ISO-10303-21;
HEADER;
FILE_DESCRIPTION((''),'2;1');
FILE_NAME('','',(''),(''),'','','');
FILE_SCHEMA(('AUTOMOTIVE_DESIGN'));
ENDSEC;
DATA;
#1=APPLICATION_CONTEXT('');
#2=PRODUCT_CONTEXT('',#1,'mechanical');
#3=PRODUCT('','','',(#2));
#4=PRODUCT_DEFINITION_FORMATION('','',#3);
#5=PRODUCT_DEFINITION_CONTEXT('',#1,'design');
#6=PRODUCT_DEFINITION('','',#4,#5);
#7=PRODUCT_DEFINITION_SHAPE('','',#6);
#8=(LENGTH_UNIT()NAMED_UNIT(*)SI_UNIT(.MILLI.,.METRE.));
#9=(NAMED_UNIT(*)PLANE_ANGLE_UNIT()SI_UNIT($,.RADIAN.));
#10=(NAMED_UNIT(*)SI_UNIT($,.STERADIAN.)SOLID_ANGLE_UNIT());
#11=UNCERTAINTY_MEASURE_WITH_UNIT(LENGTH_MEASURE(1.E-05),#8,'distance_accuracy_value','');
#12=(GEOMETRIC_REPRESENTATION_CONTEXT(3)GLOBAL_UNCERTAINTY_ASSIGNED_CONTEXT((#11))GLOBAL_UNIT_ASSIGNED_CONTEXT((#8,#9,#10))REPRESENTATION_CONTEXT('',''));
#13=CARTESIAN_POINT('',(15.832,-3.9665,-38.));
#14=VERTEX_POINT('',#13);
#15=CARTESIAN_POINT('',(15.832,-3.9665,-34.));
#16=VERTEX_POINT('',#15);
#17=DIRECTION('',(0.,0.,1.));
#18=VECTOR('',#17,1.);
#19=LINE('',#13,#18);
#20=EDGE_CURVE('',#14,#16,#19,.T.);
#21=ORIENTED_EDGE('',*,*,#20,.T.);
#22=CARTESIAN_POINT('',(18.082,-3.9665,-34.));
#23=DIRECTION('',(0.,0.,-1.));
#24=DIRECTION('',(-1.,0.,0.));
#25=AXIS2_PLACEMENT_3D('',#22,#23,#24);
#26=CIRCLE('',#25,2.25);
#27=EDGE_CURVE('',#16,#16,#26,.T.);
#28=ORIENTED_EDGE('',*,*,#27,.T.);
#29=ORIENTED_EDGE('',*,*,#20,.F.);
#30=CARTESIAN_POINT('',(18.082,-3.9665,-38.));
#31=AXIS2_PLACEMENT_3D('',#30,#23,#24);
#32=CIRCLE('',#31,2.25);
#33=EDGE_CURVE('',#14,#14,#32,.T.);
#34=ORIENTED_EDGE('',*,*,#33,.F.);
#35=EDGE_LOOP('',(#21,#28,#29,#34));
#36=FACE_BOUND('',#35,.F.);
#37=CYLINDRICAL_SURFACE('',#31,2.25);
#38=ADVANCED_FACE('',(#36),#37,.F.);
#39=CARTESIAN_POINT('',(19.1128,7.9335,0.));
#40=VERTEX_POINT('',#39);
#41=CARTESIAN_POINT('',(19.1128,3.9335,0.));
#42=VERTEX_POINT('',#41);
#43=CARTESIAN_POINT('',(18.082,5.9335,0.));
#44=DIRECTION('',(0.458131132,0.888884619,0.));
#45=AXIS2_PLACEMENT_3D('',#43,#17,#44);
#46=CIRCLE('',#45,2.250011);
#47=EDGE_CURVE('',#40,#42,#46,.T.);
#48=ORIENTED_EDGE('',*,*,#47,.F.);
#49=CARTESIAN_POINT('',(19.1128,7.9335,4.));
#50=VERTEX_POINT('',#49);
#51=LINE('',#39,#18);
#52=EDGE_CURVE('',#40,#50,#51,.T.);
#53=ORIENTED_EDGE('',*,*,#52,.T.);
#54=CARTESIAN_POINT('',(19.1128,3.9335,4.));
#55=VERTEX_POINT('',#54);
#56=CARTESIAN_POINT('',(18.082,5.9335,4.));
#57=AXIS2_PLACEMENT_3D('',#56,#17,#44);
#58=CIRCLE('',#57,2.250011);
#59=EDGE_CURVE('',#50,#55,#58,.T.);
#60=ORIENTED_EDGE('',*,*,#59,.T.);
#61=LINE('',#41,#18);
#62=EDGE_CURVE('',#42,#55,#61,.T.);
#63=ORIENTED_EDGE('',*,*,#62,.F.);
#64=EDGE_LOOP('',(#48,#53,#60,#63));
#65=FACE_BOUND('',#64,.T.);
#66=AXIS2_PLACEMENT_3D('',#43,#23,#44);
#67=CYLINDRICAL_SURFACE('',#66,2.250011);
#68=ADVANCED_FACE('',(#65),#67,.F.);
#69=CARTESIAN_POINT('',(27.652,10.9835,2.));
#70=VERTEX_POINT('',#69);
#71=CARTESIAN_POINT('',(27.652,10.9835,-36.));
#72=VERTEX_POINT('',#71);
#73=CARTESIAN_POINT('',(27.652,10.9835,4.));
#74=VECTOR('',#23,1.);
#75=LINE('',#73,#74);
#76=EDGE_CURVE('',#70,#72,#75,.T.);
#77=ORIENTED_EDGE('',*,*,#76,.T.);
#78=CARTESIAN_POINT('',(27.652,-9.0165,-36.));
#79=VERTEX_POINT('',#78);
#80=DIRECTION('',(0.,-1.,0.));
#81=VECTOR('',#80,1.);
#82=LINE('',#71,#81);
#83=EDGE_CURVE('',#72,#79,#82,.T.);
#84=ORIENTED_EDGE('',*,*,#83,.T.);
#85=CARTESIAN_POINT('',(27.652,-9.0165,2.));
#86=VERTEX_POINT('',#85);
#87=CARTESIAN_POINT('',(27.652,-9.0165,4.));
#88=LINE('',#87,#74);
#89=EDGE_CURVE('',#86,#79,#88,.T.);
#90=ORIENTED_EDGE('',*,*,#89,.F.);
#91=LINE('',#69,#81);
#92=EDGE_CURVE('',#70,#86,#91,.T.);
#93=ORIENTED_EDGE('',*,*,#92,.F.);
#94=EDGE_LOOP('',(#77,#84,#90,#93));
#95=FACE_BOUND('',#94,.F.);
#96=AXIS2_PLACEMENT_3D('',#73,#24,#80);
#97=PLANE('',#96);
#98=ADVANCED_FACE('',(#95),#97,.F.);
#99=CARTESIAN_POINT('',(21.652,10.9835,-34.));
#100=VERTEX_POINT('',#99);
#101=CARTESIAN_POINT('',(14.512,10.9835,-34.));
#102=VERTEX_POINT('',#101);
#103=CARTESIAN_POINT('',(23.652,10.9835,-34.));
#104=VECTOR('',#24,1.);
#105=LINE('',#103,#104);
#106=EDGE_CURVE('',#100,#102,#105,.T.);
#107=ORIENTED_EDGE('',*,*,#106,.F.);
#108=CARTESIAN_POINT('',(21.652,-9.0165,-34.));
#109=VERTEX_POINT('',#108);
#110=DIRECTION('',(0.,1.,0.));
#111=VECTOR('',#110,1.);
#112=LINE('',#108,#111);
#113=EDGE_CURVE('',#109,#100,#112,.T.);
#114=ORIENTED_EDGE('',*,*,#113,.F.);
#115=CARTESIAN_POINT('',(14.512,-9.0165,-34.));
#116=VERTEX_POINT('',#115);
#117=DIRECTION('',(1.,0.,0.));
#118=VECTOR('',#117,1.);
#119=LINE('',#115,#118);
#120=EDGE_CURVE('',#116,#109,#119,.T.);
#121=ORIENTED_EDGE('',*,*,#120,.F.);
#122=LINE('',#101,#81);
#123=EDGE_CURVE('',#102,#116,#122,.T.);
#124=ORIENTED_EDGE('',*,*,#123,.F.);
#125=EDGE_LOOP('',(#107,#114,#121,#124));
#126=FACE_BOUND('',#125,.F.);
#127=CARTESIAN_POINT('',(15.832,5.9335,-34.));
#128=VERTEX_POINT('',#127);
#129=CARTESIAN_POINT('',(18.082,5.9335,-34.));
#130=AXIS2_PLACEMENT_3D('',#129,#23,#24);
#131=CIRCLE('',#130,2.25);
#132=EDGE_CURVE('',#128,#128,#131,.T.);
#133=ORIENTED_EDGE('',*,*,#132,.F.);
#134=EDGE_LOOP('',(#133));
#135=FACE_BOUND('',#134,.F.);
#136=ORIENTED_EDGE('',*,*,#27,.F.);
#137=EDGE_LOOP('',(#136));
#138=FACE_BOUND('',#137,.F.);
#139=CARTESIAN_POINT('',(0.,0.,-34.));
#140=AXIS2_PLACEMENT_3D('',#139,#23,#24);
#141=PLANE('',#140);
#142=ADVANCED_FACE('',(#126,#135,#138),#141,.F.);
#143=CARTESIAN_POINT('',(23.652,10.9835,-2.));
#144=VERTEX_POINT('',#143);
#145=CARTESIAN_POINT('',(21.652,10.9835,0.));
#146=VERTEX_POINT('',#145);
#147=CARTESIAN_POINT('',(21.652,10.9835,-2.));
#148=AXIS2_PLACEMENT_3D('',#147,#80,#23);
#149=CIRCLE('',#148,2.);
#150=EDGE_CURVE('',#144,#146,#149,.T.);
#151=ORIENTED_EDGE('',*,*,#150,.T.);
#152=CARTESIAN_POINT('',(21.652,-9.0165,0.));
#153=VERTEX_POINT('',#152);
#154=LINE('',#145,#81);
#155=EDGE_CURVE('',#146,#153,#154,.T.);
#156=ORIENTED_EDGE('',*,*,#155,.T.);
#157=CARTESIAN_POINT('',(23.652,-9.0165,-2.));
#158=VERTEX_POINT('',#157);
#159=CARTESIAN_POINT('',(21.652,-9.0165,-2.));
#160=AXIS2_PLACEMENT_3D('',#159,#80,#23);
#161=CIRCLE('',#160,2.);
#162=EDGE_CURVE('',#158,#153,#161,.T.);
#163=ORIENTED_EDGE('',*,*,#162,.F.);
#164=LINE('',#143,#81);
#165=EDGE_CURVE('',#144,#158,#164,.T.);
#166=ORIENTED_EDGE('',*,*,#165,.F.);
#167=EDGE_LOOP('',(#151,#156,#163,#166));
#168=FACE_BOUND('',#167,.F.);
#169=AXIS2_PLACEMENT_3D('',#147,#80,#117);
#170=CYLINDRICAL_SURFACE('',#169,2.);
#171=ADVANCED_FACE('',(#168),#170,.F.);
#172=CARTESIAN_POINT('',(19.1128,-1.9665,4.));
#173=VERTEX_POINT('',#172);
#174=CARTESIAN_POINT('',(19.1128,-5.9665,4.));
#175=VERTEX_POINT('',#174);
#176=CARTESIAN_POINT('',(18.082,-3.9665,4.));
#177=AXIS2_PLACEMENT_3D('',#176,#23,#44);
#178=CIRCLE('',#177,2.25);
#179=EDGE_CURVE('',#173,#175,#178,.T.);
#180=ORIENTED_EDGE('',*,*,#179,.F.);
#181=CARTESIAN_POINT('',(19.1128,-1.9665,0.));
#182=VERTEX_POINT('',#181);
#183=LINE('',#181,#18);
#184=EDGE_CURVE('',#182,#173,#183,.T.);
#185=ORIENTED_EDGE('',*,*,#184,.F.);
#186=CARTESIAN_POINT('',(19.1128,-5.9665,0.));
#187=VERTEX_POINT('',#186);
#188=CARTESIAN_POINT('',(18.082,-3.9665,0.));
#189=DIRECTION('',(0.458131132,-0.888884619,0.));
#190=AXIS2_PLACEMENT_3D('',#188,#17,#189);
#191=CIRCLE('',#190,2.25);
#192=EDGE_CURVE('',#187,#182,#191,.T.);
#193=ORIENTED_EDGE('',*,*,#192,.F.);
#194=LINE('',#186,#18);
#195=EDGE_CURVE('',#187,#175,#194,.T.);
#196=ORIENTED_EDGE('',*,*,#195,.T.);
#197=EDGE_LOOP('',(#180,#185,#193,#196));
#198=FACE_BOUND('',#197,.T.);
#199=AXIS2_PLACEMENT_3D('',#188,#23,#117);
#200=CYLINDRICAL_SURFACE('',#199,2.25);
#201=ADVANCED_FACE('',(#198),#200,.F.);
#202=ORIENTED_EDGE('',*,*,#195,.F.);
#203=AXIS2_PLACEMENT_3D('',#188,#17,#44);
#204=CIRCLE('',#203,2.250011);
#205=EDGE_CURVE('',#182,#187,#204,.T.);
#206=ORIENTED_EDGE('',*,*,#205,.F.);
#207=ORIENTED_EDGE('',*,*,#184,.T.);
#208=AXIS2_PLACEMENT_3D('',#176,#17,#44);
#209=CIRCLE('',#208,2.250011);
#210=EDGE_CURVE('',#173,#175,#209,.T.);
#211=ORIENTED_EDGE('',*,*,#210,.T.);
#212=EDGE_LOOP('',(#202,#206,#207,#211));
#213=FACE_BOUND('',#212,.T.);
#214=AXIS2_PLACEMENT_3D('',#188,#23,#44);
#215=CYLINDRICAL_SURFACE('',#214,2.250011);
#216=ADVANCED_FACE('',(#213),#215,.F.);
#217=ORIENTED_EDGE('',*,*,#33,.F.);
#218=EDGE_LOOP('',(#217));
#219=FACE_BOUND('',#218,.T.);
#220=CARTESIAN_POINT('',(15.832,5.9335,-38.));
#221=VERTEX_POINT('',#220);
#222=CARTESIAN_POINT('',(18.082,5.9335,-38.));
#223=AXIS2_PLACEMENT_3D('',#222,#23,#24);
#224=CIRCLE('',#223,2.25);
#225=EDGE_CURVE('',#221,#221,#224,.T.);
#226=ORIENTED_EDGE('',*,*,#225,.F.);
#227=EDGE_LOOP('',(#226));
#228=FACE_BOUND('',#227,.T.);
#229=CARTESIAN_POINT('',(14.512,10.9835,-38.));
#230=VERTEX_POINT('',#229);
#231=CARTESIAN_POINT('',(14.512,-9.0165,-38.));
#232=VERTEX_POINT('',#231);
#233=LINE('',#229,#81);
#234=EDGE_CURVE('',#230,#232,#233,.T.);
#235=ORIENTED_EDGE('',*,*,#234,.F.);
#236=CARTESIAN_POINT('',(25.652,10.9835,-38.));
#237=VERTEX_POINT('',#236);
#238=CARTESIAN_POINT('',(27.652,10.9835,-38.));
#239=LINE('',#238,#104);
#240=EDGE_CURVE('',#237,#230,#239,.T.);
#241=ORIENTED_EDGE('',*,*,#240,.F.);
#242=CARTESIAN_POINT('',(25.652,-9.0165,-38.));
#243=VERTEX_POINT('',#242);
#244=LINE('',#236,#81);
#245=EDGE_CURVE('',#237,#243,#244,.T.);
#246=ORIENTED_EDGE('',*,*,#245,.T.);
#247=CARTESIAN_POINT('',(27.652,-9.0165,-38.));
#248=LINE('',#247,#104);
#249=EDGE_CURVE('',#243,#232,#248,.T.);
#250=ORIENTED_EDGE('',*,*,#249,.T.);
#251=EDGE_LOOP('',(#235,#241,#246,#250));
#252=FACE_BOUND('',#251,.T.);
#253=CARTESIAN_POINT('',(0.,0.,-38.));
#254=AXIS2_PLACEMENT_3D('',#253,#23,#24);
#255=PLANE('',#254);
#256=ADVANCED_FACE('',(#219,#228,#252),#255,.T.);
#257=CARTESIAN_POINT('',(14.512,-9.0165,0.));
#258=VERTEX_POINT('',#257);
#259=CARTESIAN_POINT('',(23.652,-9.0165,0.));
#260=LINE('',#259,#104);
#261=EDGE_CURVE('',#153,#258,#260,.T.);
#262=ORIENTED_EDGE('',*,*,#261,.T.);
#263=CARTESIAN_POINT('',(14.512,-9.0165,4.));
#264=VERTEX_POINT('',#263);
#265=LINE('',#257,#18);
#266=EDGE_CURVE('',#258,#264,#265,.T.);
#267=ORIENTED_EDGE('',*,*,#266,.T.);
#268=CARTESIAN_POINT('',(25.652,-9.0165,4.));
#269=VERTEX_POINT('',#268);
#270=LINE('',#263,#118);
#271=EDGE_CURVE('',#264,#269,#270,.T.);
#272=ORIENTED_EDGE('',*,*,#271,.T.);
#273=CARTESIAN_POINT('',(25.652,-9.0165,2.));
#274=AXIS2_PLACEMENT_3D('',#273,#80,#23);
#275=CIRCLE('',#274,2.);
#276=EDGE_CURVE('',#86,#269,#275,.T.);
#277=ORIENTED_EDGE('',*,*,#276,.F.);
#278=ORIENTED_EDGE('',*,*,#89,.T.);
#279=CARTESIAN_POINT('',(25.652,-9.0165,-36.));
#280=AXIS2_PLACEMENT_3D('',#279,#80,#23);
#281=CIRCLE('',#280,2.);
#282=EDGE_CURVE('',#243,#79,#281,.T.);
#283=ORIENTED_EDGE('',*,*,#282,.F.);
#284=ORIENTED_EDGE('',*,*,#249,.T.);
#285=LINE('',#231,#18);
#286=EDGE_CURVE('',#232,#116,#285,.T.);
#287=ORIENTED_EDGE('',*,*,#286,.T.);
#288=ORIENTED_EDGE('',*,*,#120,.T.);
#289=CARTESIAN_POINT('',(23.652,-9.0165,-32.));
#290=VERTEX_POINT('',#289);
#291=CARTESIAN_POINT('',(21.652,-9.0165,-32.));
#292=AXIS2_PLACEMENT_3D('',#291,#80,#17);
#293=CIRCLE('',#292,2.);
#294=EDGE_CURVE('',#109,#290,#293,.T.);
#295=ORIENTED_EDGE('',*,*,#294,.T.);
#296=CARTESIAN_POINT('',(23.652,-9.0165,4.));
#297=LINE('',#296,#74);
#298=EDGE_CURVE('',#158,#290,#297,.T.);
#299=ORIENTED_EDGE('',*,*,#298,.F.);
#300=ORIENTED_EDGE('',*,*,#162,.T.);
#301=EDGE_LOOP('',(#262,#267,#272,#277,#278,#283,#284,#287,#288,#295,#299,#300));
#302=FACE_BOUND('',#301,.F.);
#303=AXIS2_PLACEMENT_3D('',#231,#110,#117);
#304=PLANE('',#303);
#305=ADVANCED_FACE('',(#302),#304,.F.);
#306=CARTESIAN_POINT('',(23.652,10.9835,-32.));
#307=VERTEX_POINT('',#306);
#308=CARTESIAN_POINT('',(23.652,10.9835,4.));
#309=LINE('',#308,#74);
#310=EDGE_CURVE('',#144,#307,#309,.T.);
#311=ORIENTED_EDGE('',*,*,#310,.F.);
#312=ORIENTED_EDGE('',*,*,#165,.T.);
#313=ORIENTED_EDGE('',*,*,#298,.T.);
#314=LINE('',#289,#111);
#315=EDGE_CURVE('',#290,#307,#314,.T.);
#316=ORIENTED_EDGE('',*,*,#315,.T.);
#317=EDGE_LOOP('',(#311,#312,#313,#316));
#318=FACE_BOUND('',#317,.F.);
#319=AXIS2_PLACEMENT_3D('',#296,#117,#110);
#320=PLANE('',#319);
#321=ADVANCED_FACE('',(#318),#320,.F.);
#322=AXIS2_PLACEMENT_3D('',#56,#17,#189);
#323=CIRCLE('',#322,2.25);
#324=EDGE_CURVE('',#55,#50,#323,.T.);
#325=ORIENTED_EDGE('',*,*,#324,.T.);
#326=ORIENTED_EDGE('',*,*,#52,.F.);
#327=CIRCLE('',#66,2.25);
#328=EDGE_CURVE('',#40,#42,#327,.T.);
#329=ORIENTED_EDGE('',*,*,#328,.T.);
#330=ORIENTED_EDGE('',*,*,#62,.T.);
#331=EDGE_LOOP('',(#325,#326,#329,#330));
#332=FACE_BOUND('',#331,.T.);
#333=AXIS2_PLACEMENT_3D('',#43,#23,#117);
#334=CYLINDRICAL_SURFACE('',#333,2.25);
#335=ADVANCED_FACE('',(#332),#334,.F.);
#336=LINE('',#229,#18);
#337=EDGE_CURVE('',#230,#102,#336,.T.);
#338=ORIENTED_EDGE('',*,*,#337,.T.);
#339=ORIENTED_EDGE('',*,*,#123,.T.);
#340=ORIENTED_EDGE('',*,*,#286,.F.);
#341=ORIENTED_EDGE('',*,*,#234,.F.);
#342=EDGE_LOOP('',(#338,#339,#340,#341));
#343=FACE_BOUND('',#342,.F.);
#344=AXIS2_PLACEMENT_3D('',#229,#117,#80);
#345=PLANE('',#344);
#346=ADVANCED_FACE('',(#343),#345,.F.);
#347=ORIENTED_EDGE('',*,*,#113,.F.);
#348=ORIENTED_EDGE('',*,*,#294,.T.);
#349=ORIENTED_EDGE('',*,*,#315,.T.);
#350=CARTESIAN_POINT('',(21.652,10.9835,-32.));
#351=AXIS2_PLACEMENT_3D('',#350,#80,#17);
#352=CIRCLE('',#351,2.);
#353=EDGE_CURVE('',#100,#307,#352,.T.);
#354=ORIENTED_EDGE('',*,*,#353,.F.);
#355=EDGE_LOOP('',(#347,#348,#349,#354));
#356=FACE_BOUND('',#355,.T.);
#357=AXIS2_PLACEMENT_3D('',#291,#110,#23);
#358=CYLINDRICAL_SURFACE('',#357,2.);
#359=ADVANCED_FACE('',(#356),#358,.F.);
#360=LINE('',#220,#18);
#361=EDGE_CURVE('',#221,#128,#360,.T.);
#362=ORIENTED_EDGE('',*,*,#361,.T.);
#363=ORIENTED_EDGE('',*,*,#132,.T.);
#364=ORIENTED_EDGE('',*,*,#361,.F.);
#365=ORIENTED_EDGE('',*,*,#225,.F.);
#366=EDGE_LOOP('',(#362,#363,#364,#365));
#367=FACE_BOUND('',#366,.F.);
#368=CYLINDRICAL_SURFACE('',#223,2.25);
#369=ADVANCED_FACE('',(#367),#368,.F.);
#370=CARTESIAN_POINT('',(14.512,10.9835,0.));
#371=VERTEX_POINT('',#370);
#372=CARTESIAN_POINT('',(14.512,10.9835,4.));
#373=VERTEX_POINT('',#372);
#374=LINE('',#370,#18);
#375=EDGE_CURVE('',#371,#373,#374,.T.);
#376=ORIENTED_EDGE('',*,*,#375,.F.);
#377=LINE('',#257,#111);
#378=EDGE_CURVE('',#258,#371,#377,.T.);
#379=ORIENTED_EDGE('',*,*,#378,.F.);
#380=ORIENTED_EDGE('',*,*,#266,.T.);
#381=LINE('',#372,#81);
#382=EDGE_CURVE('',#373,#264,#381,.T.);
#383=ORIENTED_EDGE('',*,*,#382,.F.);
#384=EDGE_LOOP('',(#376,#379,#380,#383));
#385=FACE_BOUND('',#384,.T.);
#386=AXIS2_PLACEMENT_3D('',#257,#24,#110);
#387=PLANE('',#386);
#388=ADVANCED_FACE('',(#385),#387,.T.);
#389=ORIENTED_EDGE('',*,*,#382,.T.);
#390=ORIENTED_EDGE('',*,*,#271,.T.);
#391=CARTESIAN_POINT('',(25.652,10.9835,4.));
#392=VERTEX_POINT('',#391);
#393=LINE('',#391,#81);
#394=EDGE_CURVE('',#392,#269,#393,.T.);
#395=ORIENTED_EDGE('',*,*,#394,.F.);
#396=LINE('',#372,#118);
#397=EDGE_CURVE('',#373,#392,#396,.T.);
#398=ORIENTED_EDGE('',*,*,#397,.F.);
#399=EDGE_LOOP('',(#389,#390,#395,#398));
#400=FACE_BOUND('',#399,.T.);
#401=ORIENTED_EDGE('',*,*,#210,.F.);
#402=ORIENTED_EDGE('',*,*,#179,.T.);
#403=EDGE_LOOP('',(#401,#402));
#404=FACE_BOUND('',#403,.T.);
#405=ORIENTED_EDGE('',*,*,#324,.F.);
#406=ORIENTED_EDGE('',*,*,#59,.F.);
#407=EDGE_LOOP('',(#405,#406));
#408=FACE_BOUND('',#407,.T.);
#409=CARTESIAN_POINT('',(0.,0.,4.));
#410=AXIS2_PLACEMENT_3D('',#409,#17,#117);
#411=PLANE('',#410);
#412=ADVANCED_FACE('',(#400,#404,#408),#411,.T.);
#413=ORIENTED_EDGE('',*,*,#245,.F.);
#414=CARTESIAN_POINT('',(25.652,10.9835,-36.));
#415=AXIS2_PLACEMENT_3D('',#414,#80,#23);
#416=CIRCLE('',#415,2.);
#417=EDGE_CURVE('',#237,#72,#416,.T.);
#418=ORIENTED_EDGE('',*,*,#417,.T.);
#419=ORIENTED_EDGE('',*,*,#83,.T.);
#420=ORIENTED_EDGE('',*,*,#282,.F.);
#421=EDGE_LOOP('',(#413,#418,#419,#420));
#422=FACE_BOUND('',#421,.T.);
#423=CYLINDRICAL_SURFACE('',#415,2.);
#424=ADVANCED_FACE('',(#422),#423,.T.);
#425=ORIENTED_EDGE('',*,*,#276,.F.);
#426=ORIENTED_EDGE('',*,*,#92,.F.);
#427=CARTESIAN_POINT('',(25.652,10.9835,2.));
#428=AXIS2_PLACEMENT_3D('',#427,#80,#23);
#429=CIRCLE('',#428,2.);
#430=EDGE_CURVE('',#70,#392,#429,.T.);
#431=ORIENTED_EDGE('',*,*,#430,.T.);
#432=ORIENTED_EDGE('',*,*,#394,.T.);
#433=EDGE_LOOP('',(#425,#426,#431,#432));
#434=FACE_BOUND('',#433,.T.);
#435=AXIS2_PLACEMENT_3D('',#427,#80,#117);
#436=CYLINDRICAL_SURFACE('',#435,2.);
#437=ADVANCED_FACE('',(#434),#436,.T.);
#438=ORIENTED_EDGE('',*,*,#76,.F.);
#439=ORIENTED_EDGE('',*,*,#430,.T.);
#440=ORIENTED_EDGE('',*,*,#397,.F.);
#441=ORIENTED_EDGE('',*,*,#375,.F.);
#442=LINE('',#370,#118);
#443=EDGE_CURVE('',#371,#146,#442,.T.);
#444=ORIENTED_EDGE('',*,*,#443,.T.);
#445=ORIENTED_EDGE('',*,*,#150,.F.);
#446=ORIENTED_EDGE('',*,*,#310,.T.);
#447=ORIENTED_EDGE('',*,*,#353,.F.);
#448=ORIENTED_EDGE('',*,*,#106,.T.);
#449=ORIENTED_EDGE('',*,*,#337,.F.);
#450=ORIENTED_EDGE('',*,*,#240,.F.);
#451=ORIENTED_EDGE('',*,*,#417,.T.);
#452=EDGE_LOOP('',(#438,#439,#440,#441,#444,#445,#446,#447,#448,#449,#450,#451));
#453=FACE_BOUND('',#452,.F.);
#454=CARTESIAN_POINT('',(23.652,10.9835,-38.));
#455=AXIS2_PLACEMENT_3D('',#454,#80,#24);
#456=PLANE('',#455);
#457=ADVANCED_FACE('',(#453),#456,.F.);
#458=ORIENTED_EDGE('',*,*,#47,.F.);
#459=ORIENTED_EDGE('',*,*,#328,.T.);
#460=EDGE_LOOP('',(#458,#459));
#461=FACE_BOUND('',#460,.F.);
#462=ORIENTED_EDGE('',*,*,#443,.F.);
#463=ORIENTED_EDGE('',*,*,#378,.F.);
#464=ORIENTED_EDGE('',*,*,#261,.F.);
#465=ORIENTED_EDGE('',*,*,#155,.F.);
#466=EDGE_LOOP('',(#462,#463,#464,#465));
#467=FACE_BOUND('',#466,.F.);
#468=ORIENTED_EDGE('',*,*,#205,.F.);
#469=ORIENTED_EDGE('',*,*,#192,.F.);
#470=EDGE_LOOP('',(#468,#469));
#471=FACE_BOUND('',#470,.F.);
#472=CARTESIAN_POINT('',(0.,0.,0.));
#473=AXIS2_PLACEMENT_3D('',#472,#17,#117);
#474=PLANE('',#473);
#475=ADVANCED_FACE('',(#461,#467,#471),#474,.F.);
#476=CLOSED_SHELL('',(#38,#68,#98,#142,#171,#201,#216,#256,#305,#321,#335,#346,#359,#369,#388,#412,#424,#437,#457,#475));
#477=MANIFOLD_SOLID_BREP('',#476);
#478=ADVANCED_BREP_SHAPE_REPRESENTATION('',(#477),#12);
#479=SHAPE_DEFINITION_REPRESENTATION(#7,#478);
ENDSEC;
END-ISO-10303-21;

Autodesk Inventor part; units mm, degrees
ref_plane "YZ Plane" through (0, 0, 0) normal (1, 0, 0) x (0, 1, 0)
ref_plane "XZ Plane" through (0, 0, 0) normal (0, 1, 0) x (-1, 0, 0)
ref_plane "XY Plane" through (0, 0, 0) normal (0, 0, 1) x (1, 0, 0)
sketch "Эскиз1" plane through (0, 0, 0) normal (0, 0, 1) x (1, 0, 0)
  line L0 (21.232, 7.9335) -> (21.232, 9.4835)
  arc A0 (21.232, 9.4835) -> (19.732, 10.9835) centre (19.732, 9.4835) ccw
  line L1 (19.732, 10.9835) -> (-31.568, 10.9835)
  line L2 (-31.568, -9.0165) -> (19.732, -9.0165)
  arc A1 (19.732, -9.0165) -> (21.232, -7.5165) centre (19.732, -7.5165) ccw
  line L3 (21.232, -7.5165) -> (21.232, -5.9665)
  line L4 (21.232, -5.9665) -> (19.1128, -5.9665)
  arc A2 (19.1128, -1.9665) -> (19.1128, -5.9665) centre (18.082, -3.9665) ccw
  line L5 (19.1128, -1.9665) -> (21.232, -1.9665)
  line L6 (21.232, -1.9665) -> (21.232, 3.9335)
  line L7 (21.232, 3.9335) -> (19.1128, 3.9335)
  arc A3 (19.1128, 7.9335) -> (19.1128, 3.9335) centre (18.082, 5.9335) ccw
  line L8 (19.1128, 7.9335) -> (21.232, 7.9335)
  line L9 (-24.768, -8.9965) -> (13.532, -8.9965)
  line L10 (13.532, 10.9635) -> (-24.768, 10.9635)
  arc A4 (14.512, 9.9835) -> (13.532, 10.9635) centre (13.532, 9.9835) ccw
  line L11 (14.512, -8.0165) -> (14.512, 9.9835)
  arc A5 (13.532, -8.9965) -> (14.512, -8.0165) centre (13.532, -8.0165) ccw
  line L12 (14.512, 9.9835) -> (14.512, 13.5721)
  line L13 (21.652, -9.0165) -> (14.512, -9.0165)
  line L14 (14.512, -9.0165) -> (14.512, 10.9835)
  line L15 (14.512, 10.9835) -> (21.652, 10.9835)
  line L16 (21.652, 10.9835) -> (21.652, -9.0165)
  line L17 (21.652, -9.0165) -> (14.512, 10.9835) construction
  line L18 (14.512, -9.0165) -> (21.652, 10.9835) construction
  circle A6 centre (18.082, 5.9335) radius 2.25
  circle A7 centre (18.082, -3.9665) radius 2.25
  line L19 (21.652, 10.9835) -> (23.652, 10.9835)
  line L20 (23.652, 10.9835) -> (23.652, -9.0165)
  line L21 (23.652, -9.0165) -> (21.652, -9.0165)
  line L22 (21.652, -9.0165) -> (21.652, 10.9835)
  point P0 (0, 0)
  point P1 (-5.918, 0.9835)
  point P2 (18.082, 0.9835)
  point P3 (19.1128, -5.9665)
  point P4 (19.732, -9.0165)
  dimension "d2" = 2
extrude "Выдавливание1" add sketch "Эскиз1" along normal blind 4 contours L8 A3 L7 L6 L5 A2 L4 L3 A1 L2 L14 L11 L12 L1 A0 L0 | L0 A0 L15 L16 L13 A1 L3 L4 A7 L5 L6 L7 A6 L8 | L19 L20 L21 L16
sketch "Эскиз2" plane through (0, 0, 4) normal (0, 0, 1) x (1, 0, 0)
  line L0 (23.652, 10.9835) -> (14.512, 10.9835) projected
  line L1 (14.512, 10.9835) -> (14.512, -9.0165) projected
  line L2 (14.512, -9.0165) -> (23.652, -9.0165) projected
  line L3 (23.652, -9.0165) -> (23.652, 10.9835) projected
  circle A0 centre (18.082, -3.9665) radius 2.25 projected
  circle A1 centre (18.082, 5.9335) radius 2.25 projected
  line L4 (23.652, 10.9835) -> (27.652, 10.9835)
  line L5 (27.652, 10.9835) -> (27.652, -9.0165)
  line L6 (27.652, -9.0165) -> (23.652, -9.0165)
  line L7 (23.652, -9.0165) -> (23.652, 10.9835)
  point P0 (0, 0)
  dimension "d3" = 4
extrude "Выдавливание2" add sketch "Эскиз2" against normal blind 42 contours L4 L5 L6 L3
sketch "Эскиз3" plane through (0, 0, -38) normal (0, 0, -1) x (-1, 0, 0)
  line L0 (-23.652, 10.9835) -> (-14.512, 10.9835) projected
  line L1 (-23.652, -9.0165) -> (-23.652, 10.9835) projected
  line L2 (-14.512, -9.0165) -> (-23.652, -9.0165) projected
  line L3 (-14.512, 10.9835) -> (-14.512, -9.0165) projected
  circle A0 centre (-18.082, -3.9665) radius 2.25 projected
  circle A1 centre (-18.082, 5.9335) radius 2.25 projected
  point P0 (0, 0)
extrude "Выдавливание3" add sketch "Эскиз3" against normal blind 4
fillet "Сопряжение1" radius 2 4 edges at (23.652, 0.9835, 0) (23.652, 0.9835, -34) (27.652, 0.9835, -38) (27.652, 0.9835, 4)
properties part number "крепл сервы на пуляло"
